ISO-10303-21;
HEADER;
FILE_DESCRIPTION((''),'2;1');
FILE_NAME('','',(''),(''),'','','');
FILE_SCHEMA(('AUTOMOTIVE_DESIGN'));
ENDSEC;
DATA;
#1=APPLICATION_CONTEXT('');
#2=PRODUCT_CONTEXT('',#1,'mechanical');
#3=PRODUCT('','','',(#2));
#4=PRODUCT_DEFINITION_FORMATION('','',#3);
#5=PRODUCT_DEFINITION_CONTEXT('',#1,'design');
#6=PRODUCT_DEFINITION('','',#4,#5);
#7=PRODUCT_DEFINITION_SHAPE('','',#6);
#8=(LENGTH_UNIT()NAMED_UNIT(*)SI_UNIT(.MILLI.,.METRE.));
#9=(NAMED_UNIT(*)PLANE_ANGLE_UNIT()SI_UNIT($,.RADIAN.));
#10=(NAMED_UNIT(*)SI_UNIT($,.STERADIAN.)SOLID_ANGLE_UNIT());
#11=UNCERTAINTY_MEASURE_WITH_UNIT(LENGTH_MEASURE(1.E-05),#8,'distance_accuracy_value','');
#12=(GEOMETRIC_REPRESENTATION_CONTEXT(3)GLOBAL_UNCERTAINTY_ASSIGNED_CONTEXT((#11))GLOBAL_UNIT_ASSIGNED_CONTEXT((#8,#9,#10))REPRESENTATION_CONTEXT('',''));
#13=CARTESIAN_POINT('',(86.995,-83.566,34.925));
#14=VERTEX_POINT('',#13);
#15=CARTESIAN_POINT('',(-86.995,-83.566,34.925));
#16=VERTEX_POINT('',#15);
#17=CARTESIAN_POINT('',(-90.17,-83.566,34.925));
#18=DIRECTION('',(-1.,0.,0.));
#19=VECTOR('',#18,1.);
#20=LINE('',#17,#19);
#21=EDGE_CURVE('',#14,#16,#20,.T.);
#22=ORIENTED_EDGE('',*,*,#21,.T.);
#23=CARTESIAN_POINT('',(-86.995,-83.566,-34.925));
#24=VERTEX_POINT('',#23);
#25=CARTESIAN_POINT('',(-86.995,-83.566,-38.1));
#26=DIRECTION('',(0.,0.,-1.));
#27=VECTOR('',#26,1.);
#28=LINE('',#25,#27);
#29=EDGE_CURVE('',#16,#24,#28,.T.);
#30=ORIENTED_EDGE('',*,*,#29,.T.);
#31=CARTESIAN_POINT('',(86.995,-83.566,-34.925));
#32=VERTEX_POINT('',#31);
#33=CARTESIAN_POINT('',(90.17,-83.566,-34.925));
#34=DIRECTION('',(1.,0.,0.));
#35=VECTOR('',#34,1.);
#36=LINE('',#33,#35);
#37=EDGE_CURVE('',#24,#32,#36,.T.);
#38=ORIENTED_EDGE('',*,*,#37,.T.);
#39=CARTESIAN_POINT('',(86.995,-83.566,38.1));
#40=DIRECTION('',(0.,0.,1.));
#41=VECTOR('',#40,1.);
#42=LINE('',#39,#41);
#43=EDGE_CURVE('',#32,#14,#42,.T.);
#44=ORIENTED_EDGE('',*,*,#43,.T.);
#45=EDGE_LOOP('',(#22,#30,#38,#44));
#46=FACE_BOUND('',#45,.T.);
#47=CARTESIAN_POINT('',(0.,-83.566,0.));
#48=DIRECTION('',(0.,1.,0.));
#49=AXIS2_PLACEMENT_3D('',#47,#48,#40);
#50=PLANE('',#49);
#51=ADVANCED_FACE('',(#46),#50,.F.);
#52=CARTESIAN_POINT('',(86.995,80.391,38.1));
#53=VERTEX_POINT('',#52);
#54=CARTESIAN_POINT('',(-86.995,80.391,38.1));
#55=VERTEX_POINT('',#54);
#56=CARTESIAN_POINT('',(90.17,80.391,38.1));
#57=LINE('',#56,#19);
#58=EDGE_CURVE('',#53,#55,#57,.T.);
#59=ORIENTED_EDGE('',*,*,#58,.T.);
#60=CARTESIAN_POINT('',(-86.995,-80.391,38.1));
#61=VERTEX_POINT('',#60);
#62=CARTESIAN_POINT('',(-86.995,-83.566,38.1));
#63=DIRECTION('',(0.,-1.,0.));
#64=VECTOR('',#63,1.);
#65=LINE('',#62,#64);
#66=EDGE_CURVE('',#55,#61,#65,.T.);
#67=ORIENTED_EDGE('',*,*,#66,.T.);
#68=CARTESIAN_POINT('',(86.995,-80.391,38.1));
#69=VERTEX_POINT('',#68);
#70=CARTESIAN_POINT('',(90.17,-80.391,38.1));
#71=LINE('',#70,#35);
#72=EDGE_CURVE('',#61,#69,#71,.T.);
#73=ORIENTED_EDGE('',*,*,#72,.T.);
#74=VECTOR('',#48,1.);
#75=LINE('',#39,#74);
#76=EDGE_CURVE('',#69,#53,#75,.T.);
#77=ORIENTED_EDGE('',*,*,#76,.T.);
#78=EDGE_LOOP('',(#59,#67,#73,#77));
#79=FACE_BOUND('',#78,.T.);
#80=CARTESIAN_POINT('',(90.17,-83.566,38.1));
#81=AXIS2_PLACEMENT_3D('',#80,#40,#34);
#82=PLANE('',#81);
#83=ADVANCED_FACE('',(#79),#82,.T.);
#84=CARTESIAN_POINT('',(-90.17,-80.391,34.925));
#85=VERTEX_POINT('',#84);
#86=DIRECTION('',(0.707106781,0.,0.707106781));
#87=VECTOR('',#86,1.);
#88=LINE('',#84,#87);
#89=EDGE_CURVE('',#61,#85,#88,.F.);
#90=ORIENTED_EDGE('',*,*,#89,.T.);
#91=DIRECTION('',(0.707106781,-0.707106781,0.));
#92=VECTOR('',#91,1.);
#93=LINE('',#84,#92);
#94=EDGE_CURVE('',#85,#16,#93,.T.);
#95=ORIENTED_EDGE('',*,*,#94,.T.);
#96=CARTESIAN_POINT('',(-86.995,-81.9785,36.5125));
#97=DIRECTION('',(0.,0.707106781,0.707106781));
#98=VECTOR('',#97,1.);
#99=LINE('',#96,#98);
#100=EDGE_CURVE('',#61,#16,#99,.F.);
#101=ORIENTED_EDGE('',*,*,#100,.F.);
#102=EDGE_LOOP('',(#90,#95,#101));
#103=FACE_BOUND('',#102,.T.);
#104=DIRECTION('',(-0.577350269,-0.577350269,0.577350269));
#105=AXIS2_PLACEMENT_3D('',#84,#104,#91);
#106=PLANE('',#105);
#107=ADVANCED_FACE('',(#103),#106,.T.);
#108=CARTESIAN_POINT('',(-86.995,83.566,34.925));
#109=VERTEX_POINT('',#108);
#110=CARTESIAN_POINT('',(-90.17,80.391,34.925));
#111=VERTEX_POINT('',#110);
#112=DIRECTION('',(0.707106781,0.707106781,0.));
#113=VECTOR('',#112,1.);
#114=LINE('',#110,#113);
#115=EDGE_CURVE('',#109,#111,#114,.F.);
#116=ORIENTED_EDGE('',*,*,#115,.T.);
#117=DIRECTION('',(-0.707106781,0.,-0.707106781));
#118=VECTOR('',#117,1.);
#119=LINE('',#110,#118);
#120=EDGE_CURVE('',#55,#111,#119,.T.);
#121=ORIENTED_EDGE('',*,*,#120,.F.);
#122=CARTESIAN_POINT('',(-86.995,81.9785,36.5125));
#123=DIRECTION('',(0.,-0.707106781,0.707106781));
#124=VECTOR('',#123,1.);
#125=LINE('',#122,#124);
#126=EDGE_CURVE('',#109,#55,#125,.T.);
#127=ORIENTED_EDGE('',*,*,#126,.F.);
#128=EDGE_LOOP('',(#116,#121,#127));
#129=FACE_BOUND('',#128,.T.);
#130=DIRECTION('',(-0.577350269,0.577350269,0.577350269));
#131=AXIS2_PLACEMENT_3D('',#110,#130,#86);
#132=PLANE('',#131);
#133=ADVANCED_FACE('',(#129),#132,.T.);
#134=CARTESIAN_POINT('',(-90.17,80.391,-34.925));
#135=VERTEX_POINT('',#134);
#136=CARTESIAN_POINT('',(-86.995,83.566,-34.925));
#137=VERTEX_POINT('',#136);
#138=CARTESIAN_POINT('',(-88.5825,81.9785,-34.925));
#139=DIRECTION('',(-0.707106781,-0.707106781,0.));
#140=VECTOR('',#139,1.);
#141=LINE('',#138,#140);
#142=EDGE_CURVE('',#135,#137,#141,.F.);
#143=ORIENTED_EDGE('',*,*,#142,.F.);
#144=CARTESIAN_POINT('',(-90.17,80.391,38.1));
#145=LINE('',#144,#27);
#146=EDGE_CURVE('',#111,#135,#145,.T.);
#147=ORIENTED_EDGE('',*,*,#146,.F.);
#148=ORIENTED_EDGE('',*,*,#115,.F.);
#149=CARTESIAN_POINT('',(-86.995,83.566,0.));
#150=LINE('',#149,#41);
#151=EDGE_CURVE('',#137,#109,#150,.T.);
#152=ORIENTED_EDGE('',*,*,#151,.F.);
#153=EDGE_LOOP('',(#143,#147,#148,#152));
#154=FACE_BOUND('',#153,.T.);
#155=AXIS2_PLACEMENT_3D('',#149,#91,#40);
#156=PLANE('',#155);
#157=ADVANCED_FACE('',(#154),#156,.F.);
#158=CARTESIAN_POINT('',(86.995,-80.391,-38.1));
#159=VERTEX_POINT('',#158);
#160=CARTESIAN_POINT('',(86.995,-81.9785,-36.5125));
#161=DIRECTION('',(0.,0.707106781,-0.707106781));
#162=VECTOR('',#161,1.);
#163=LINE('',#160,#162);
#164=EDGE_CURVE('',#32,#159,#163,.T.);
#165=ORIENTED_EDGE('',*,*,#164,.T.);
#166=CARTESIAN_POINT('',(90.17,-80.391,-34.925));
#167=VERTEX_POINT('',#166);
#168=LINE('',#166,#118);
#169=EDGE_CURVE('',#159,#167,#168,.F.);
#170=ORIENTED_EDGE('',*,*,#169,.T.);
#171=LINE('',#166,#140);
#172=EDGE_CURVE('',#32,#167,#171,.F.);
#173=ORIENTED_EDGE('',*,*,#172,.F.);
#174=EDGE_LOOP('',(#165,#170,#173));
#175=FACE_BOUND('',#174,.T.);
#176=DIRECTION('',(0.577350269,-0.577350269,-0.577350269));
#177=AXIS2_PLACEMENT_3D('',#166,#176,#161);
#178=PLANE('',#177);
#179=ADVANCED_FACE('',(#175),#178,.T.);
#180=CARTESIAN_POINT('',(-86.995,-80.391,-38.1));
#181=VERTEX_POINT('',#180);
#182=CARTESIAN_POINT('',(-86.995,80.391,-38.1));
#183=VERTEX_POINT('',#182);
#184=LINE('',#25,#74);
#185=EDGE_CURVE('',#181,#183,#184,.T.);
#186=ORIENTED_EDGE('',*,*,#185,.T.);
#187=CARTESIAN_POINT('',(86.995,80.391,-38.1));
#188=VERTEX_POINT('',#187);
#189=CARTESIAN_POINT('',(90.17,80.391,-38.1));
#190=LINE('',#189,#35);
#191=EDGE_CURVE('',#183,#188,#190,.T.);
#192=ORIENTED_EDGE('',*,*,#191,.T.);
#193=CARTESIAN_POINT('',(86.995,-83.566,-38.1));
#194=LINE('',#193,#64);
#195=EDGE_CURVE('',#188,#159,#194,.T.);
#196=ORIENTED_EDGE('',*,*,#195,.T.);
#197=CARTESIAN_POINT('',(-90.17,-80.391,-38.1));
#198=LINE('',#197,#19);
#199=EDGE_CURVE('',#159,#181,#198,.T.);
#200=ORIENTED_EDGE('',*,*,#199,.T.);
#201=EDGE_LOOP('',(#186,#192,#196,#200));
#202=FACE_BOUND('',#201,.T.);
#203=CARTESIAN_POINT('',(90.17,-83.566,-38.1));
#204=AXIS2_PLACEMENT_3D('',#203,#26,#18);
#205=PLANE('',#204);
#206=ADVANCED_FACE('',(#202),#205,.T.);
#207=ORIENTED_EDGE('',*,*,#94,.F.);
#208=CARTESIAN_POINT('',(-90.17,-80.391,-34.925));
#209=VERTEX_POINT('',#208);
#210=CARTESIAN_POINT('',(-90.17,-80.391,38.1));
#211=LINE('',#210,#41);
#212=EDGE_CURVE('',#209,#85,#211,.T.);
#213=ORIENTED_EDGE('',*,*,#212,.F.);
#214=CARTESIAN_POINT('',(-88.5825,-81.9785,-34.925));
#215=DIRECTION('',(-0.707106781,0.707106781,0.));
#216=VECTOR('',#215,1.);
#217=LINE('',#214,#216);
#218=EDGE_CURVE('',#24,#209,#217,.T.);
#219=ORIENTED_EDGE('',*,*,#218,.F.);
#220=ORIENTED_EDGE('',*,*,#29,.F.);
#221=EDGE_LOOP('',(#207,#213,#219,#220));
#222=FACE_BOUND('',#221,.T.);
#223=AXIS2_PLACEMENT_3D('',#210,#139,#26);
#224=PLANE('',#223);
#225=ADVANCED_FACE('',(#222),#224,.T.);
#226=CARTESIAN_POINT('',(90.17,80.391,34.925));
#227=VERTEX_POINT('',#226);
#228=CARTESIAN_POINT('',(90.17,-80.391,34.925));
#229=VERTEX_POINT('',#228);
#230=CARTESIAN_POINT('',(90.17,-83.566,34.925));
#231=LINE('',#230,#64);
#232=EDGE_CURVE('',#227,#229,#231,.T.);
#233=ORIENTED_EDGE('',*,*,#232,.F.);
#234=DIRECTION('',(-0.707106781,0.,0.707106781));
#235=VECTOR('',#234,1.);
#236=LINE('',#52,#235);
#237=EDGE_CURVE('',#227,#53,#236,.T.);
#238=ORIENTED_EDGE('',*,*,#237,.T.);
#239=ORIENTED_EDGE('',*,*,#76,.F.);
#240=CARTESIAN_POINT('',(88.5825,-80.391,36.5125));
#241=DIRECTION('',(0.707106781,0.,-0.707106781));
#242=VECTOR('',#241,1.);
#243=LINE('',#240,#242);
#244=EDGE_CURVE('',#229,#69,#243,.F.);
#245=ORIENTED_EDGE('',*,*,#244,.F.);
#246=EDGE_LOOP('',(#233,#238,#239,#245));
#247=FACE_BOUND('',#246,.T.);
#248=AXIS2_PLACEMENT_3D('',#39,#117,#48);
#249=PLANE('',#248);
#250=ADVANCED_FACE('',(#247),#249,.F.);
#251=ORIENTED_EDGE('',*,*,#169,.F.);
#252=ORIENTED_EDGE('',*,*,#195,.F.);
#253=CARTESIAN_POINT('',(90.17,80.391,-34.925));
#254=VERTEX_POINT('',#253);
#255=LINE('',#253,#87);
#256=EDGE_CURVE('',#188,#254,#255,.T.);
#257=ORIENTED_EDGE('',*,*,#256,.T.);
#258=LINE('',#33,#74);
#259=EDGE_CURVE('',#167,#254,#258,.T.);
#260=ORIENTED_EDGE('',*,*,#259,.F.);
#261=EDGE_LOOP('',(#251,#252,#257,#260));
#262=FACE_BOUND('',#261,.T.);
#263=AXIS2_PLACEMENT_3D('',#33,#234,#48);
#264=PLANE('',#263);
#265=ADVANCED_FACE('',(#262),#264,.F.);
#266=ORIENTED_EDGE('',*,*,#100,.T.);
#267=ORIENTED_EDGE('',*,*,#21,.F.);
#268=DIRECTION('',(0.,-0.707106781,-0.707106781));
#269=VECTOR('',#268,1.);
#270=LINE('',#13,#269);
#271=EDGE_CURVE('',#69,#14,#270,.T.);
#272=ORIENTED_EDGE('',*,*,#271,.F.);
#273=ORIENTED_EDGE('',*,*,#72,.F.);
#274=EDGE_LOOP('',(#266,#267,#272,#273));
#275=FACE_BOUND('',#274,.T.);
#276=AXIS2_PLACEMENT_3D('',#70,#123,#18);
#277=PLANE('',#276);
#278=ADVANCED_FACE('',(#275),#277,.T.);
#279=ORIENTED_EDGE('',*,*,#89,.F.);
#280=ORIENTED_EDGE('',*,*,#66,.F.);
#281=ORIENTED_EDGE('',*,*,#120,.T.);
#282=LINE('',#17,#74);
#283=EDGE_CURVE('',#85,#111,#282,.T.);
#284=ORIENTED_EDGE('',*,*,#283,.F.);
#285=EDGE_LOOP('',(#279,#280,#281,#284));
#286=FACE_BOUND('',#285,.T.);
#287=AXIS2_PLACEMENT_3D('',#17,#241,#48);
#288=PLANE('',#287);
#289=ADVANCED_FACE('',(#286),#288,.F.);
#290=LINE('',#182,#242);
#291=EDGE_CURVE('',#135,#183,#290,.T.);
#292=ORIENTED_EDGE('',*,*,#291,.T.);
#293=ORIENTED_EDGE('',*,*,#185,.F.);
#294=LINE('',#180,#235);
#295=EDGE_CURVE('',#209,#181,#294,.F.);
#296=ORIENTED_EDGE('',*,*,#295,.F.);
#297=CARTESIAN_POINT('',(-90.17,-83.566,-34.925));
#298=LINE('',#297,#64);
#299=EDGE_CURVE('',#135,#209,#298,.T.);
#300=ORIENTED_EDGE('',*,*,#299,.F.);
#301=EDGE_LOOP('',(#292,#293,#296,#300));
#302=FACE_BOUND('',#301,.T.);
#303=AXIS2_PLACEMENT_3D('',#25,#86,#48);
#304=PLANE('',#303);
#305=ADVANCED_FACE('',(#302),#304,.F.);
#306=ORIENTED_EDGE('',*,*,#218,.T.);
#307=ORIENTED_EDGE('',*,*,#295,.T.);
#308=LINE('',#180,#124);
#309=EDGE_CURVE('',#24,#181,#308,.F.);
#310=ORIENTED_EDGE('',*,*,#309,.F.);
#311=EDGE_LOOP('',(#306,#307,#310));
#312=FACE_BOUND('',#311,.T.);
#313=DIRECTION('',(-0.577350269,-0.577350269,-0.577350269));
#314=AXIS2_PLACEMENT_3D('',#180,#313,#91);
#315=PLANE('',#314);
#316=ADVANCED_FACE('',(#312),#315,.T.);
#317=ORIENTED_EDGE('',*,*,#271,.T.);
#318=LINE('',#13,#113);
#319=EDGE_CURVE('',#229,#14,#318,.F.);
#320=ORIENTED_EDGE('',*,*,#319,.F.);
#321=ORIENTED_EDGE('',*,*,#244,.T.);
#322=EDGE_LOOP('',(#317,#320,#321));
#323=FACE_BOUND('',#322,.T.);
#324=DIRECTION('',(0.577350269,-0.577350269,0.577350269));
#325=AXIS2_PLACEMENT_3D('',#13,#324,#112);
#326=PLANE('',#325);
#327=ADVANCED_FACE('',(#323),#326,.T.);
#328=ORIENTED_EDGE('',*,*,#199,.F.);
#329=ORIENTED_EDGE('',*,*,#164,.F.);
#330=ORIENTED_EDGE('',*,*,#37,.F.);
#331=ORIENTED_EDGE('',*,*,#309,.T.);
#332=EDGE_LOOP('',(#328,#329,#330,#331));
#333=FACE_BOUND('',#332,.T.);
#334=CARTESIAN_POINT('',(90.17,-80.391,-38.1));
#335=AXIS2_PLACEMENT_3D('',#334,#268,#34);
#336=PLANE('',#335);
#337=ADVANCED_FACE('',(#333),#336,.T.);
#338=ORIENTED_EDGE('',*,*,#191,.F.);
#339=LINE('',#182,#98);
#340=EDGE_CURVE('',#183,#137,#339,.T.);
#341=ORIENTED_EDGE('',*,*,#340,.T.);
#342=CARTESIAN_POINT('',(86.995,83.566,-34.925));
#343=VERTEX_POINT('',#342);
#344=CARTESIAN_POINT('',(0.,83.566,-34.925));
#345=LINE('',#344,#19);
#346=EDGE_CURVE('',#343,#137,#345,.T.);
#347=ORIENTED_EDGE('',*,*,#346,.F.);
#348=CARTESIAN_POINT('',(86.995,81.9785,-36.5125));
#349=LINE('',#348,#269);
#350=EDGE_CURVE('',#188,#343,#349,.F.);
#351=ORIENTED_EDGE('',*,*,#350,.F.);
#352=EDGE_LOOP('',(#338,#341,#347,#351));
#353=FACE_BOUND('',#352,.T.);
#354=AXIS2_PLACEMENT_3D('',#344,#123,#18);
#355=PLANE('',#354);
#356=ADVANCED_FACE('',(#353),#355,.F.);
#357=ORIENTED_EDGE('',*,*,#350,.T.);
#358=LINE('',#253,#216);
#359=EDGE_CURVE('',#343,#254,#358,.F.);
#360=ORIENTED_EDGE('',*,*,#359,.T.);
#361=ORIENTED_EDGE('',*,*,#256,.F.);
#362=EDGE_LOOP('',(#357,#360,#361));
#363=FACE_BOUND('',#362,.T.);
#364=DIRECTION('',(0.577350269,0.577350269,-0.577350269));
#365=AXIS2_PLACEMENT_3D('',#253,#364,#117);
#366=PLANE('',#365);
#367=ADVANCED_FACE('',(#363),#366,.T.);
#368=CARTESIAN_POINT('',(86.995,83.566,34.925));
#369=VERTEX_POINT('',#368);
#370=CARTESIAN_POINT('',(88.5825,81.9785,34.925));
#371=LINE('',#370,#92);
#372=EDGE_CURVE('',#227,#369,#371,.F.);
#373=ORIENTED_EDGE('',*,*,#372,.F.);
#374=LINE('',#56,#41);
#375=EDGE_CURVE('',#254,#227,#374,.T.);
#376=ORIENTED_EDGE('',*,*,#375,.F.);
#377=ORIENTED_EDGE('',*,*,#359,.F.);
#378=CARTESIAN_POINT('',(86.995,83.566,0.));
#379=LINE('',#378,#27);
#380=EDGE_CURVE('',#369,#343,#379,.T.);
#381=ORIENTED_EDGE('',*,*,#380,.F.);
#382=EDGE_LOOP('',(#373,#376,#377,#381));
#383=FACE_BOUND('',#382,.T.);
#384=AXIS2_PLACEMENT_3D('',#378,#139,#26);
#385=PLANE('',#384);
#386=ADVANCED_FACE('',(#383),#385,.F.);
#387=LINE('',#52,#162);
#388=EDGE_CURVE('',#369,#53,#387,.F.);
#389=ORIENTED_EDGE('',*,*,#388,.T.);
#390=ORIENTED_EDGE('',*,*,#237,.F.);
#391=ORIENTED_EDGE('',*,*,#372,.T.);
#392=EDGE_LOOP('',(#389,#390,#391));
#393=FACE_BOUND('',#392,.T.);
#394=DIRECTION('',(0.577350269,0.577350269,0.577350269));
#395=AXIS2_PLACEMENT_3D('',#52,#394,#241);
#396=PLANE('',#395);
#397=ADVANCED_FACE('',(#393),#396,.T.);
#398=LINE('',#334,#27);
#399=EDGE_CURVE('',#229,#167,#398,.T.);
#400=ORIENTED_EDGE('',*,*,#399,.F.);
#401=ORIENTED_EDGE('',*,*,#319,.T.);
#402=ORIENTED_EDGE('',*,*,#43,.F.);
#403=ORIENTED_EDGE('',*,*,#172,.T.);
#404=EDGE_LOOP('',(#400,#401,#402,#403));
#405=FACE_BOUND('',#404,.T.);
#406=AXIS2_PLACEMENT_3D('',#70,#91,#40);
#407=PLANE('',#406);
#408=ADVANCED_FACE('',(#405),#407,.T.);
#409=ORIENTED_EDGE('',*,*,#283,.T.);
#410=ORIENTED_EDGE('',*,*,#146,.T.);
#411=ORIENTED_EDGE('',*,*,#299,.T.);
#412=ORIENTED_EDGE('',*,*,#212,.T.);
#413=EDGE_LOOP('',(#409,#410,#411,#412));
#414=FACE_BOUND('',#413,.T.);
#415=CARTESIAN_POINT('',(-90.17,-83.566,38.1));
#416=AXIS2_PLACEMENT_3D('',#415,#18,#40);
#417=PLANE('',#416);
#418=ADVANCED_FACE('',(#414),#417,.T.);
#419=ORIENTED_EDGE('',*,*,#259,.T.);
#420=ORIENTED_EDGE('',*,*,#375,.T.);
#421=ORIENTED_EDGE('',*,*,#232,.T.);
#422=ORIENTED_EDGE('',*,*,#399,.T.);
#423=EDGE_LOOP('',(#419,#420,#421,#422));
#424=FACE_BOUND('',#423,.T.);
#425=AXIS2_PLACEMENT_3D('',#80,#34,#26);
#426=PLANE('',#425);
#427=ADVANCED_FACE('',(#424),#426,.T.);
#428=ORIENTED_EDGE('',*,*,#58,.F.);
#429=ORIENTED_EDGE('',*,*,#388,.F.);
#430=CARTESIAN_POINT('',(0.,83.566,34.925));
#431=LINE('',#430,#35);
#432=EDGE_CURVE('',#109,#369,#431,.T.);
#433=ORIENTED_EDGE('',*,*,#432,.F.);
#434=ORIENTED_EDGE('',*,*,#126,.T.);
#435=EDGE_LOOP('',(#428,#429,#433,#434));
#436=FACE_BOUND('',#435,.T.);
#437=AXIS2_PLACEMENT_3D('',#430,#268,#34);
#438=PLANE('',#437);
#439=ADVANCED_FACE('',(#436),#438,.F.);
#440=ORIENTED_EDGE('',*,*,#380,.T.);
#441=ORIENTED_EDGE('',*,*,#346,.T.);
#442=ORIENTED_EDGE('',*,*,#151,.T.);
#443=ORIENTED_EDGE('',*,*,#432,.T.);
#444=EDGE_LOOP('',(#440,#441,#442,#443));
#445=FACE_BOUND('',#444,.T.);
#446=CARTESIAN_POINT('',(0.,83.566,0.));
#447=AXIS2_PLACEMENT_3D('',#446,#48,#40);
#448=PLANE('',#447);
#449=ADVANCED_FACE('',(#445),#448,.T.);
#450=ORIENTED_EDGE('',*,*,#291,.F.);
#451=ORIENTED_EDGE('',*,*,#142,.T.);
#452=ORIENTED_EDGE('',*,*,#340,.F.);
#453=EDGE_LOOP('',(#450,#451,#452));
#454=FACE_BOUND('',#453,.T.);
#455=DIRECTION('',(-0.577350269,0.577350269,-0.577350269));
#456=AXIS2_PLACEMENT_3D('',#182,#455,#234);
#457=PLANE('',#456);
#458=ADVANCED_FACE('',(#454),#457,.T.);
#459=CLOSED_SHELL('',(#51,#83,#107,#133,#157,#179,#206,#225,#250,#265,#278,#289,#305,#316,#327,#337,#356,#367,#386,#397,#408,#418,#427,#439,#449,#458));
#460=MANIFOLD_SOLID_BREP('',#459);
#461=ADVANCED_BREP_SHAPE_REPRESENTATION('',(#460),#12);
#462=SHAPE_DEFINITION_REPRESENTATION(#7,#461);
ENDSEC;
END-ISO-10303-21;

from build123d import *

# Parameters (mm, degrees)
SKETCH1_W           = 180.34
SKETCH1_H           = 76.2
BOSS_EXTRUDE1_DEPTH = 83.566
CHAMFER1_SIZE       = 3.175


with BuildPart() as part:
    # Sketch1 → Boss-Extrude1 (new, symmetric)
    with BuildSketch(Plane(origin=(0, 0, 0), x_dir=(1, 0, 0), z_dir=(0, 1, 0))):
        Rectangle(SKETCH1_W, SKETCH1_H)
    extrude(amount=BOSS_EXTRUDE1_DEPTH, both=True)

    # Chamfer1
    chamfer1_edges = [part.edges().sort_by_distance(p)[0] for p in [
        (90.17, -83.566, 0),
        (0, -83.566, -38.1),
        (-90.17, -83.566, 0),
        (0, 83.566, -38.1),
        (90.17, 83.566, 0),
        (0, 83.566, 38.1),
        (-90.17, 83.566, 0),
        (0, -83.566, 38.1),
        (-90.17, 0, -38.1),
        (90.17, 0, -38.1),
        (90.17, 0, 38.1),
        (-90.17, 0, 38.1),
    ]]
    chamfer(chamfer1_edges, length=CHAMFER1_SIZE)


solid = part.part
